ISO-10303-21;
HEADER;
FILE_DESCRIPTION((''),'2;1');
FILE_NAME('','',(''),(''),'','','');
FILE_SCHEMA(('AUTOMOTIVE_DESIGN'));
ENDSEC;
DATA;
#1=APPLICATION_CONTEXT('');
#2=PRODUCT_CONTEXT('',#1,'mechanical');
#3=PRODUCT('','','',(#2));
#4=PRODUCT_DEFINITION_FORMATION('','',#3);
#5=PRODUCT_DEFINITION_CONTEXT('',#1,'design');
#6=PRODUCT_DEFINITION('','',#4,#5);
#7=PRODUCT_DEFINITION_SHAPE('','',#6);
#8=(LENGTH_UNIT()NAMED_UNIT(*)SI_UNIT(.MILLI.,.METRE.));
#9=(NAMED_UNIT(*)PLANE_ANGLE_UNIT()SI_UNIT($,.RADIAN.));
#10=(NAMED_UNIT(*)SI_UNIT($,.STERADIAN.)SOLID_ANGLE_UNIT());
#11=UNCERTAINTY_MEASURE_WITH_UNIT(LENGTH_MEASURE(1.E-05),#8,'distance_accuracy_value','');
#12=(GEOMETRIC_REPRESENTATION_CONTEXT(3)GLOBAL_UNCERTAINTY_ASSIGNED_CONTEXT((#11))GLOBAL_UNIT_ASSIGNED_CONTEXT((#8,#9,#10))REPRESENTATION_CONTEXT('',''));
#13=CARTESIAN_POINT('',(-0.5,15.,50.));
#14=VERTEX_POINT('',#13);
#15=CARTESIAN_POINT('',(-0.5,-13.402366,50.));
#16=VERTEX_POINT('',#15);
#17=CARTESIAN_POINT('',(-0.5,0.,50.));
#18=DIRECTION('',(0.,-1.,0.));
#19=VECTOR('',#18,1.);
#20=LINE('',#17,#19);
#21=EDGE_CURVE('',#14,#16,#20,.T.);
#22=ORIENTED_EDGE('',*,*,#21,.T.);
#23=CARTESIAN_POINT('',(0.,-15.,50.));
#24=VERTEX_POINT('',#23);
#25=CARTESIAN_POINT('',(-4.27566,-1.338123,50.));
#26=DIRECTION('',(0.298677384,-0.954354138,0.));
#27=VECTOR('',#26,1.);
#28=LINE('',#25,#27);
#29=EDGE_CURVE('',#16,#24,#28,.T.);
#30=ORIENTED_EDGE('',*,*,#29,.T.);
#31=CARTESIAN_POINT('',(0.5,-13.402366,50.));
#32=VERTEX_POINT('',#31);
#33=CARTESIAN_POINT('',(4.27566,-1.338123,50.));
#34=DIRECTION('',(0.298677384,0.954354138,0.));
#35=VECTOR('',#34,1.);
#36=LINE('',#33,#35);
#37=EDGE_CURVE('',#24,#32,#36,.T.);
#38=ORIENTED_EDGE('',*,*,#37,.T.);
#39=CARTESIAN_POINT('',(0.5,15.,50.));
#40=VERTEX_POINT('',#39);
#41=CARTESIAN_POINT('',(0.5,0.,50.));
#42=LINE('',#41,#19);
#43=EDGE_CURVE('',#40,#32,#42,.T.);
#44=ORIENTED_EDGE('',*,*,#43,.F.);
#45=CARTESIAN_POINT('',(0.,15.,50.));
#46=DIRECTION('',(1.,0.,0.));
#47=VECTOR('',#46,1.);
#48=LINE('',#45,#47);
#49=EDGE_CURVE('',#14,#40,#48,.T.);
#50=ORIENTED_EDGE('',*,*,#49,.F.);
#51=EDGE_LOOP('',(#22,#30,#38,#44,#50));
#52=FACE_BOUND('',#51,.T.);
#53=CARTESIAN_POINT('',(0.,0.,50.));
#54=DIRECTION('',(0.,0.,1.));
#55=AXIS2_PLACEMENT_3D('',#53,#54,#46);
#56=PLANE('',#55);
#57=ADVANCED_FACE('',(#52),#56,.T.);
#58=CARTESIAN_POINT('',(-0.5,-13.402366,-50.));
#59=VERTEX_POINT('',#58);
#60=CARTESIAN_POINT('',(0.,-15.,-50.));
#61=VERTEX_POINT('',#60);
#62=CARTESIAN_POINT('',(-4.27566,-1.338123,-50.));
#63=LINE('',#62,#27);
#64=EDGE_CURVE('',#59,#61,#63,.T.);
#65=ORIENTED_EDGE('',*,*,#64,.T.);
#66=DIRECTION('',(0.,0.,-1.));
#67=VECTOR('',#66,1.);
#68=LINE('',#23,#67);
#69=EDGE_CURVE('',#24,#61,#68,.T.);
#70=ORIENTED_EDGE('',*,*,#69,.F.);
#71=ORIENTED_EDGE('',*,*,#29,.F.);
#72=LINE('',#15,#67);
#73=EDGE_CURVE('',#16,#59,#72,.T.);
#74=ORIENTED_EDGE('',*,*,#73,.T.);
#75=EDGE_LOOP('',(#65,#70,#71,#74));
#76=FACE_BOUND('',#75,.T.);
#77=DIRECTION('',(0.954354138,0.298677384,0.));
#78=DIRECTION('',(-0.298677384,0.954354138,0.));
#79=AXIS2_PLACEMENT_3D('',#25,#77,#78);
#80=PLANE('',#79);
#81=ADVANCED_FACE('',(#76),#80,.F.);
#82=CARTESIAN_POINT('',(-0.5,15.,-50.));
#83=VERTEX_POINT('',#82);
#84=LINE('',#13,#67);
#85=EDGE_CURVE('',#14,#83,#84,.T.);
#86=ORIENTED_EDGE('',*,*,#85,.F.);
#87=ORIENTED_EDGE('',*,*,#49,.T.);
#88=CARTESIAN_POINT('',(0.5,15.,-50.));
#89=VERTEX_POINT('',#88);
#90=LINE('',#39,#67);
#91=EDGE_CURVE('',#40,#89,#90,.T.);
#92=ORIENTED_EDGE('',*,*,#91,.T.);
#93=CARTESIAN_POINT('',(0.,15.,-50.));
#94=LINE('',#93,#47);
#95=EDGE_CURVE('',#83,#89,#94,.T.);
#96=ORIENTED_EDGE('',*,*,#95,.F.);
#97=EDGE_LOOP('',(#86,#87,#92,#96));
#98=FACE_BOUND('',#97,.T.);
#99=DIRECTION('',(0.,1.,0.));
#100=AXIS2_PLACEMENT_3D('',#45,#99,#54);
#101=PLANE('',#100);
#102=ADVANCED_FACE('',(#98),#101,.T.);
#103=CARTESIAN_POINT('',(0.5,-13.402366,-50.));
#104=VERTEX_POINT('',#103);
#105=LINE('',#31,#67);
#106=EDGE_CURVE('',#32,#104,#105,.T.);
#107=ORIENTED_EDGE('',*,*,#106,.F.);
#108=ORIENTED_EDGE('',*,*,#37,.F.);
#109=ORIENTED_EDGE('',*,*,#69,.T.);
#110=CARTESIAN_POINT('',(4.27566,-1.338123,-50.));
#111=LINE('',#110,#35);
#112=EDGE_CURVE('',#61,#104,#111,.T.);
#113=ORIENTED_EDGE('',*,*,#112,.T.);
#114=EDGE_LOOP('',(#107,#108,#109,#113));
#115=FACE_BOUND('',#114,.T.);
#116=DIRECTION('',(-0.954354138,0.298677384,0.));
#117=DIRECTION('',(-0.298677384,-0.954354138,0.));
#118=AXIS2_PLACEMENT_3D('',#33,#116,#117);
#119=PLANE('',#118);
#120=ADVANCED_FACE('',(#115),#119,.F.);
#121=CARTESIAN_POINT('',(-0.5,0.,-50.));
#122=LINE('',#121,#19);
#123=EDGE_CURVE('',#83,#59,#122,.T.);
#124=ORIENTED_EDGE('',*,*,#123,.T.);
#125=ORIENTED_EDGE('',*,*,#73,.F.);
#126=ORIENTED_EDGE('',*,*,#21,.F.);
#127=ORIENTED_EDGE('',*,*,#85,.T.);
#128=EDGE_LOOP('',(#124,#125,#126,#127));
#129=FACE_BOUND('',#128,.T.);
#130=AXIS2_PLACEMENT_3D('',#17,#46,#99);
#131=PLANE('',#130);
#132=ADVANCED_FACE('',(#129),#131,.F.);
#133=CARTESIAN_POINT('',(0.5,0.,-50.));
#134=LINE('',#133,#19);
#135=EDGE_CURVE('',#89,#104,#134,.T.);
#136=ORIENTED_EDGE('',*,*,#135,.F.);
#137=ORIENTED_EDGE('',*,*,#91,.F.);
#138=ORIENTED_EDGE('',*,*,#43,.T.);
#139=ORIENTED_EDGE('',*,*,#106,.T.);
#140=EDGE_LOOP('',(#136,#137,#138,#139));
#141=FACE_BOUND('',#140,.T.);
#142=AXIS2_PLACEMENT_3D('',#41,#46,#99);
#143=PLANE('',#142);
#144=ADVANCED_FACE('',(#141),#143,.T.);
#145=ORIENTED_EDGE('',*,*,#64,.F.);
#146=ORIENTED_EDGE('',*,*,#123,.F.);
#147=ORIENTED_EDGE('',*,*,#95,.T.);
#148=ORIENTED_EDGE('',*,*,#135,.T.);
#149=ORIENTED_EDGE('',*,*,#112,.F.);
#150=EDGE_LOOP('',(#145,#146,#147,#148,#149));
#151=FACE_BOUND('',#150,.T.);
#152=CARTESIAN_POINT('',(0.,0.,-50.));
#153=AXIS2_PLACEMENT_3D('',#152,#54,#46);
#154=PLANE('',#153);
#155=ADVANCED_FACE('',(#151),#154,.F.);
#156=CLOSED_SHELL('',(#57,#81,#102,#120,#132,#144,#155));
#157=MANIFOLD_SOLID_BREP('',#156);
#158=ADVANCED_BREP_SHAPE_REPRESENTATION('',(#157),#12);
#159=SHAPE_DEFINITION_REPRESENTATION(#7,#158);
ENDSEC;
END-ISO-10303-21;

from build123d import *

# Parameters (mm, degrees)
SALIENTE_EXTRUIR1_DEPTH = 50


with BuildPart() as part:
    # Croquis1 → Saliente-Extruir1 (new, symmetric)
    with BuildSketch(Plane.XY):
        Polygon((0, -15), (0.5, -13.402366253), (0.5, 15), (-0.5, 15), (-0.5, -13.402366253), align=None)
    extrude(amount=SALIENTE_EXTRUIR1_DEPTH, both=True)


solid = part.part
